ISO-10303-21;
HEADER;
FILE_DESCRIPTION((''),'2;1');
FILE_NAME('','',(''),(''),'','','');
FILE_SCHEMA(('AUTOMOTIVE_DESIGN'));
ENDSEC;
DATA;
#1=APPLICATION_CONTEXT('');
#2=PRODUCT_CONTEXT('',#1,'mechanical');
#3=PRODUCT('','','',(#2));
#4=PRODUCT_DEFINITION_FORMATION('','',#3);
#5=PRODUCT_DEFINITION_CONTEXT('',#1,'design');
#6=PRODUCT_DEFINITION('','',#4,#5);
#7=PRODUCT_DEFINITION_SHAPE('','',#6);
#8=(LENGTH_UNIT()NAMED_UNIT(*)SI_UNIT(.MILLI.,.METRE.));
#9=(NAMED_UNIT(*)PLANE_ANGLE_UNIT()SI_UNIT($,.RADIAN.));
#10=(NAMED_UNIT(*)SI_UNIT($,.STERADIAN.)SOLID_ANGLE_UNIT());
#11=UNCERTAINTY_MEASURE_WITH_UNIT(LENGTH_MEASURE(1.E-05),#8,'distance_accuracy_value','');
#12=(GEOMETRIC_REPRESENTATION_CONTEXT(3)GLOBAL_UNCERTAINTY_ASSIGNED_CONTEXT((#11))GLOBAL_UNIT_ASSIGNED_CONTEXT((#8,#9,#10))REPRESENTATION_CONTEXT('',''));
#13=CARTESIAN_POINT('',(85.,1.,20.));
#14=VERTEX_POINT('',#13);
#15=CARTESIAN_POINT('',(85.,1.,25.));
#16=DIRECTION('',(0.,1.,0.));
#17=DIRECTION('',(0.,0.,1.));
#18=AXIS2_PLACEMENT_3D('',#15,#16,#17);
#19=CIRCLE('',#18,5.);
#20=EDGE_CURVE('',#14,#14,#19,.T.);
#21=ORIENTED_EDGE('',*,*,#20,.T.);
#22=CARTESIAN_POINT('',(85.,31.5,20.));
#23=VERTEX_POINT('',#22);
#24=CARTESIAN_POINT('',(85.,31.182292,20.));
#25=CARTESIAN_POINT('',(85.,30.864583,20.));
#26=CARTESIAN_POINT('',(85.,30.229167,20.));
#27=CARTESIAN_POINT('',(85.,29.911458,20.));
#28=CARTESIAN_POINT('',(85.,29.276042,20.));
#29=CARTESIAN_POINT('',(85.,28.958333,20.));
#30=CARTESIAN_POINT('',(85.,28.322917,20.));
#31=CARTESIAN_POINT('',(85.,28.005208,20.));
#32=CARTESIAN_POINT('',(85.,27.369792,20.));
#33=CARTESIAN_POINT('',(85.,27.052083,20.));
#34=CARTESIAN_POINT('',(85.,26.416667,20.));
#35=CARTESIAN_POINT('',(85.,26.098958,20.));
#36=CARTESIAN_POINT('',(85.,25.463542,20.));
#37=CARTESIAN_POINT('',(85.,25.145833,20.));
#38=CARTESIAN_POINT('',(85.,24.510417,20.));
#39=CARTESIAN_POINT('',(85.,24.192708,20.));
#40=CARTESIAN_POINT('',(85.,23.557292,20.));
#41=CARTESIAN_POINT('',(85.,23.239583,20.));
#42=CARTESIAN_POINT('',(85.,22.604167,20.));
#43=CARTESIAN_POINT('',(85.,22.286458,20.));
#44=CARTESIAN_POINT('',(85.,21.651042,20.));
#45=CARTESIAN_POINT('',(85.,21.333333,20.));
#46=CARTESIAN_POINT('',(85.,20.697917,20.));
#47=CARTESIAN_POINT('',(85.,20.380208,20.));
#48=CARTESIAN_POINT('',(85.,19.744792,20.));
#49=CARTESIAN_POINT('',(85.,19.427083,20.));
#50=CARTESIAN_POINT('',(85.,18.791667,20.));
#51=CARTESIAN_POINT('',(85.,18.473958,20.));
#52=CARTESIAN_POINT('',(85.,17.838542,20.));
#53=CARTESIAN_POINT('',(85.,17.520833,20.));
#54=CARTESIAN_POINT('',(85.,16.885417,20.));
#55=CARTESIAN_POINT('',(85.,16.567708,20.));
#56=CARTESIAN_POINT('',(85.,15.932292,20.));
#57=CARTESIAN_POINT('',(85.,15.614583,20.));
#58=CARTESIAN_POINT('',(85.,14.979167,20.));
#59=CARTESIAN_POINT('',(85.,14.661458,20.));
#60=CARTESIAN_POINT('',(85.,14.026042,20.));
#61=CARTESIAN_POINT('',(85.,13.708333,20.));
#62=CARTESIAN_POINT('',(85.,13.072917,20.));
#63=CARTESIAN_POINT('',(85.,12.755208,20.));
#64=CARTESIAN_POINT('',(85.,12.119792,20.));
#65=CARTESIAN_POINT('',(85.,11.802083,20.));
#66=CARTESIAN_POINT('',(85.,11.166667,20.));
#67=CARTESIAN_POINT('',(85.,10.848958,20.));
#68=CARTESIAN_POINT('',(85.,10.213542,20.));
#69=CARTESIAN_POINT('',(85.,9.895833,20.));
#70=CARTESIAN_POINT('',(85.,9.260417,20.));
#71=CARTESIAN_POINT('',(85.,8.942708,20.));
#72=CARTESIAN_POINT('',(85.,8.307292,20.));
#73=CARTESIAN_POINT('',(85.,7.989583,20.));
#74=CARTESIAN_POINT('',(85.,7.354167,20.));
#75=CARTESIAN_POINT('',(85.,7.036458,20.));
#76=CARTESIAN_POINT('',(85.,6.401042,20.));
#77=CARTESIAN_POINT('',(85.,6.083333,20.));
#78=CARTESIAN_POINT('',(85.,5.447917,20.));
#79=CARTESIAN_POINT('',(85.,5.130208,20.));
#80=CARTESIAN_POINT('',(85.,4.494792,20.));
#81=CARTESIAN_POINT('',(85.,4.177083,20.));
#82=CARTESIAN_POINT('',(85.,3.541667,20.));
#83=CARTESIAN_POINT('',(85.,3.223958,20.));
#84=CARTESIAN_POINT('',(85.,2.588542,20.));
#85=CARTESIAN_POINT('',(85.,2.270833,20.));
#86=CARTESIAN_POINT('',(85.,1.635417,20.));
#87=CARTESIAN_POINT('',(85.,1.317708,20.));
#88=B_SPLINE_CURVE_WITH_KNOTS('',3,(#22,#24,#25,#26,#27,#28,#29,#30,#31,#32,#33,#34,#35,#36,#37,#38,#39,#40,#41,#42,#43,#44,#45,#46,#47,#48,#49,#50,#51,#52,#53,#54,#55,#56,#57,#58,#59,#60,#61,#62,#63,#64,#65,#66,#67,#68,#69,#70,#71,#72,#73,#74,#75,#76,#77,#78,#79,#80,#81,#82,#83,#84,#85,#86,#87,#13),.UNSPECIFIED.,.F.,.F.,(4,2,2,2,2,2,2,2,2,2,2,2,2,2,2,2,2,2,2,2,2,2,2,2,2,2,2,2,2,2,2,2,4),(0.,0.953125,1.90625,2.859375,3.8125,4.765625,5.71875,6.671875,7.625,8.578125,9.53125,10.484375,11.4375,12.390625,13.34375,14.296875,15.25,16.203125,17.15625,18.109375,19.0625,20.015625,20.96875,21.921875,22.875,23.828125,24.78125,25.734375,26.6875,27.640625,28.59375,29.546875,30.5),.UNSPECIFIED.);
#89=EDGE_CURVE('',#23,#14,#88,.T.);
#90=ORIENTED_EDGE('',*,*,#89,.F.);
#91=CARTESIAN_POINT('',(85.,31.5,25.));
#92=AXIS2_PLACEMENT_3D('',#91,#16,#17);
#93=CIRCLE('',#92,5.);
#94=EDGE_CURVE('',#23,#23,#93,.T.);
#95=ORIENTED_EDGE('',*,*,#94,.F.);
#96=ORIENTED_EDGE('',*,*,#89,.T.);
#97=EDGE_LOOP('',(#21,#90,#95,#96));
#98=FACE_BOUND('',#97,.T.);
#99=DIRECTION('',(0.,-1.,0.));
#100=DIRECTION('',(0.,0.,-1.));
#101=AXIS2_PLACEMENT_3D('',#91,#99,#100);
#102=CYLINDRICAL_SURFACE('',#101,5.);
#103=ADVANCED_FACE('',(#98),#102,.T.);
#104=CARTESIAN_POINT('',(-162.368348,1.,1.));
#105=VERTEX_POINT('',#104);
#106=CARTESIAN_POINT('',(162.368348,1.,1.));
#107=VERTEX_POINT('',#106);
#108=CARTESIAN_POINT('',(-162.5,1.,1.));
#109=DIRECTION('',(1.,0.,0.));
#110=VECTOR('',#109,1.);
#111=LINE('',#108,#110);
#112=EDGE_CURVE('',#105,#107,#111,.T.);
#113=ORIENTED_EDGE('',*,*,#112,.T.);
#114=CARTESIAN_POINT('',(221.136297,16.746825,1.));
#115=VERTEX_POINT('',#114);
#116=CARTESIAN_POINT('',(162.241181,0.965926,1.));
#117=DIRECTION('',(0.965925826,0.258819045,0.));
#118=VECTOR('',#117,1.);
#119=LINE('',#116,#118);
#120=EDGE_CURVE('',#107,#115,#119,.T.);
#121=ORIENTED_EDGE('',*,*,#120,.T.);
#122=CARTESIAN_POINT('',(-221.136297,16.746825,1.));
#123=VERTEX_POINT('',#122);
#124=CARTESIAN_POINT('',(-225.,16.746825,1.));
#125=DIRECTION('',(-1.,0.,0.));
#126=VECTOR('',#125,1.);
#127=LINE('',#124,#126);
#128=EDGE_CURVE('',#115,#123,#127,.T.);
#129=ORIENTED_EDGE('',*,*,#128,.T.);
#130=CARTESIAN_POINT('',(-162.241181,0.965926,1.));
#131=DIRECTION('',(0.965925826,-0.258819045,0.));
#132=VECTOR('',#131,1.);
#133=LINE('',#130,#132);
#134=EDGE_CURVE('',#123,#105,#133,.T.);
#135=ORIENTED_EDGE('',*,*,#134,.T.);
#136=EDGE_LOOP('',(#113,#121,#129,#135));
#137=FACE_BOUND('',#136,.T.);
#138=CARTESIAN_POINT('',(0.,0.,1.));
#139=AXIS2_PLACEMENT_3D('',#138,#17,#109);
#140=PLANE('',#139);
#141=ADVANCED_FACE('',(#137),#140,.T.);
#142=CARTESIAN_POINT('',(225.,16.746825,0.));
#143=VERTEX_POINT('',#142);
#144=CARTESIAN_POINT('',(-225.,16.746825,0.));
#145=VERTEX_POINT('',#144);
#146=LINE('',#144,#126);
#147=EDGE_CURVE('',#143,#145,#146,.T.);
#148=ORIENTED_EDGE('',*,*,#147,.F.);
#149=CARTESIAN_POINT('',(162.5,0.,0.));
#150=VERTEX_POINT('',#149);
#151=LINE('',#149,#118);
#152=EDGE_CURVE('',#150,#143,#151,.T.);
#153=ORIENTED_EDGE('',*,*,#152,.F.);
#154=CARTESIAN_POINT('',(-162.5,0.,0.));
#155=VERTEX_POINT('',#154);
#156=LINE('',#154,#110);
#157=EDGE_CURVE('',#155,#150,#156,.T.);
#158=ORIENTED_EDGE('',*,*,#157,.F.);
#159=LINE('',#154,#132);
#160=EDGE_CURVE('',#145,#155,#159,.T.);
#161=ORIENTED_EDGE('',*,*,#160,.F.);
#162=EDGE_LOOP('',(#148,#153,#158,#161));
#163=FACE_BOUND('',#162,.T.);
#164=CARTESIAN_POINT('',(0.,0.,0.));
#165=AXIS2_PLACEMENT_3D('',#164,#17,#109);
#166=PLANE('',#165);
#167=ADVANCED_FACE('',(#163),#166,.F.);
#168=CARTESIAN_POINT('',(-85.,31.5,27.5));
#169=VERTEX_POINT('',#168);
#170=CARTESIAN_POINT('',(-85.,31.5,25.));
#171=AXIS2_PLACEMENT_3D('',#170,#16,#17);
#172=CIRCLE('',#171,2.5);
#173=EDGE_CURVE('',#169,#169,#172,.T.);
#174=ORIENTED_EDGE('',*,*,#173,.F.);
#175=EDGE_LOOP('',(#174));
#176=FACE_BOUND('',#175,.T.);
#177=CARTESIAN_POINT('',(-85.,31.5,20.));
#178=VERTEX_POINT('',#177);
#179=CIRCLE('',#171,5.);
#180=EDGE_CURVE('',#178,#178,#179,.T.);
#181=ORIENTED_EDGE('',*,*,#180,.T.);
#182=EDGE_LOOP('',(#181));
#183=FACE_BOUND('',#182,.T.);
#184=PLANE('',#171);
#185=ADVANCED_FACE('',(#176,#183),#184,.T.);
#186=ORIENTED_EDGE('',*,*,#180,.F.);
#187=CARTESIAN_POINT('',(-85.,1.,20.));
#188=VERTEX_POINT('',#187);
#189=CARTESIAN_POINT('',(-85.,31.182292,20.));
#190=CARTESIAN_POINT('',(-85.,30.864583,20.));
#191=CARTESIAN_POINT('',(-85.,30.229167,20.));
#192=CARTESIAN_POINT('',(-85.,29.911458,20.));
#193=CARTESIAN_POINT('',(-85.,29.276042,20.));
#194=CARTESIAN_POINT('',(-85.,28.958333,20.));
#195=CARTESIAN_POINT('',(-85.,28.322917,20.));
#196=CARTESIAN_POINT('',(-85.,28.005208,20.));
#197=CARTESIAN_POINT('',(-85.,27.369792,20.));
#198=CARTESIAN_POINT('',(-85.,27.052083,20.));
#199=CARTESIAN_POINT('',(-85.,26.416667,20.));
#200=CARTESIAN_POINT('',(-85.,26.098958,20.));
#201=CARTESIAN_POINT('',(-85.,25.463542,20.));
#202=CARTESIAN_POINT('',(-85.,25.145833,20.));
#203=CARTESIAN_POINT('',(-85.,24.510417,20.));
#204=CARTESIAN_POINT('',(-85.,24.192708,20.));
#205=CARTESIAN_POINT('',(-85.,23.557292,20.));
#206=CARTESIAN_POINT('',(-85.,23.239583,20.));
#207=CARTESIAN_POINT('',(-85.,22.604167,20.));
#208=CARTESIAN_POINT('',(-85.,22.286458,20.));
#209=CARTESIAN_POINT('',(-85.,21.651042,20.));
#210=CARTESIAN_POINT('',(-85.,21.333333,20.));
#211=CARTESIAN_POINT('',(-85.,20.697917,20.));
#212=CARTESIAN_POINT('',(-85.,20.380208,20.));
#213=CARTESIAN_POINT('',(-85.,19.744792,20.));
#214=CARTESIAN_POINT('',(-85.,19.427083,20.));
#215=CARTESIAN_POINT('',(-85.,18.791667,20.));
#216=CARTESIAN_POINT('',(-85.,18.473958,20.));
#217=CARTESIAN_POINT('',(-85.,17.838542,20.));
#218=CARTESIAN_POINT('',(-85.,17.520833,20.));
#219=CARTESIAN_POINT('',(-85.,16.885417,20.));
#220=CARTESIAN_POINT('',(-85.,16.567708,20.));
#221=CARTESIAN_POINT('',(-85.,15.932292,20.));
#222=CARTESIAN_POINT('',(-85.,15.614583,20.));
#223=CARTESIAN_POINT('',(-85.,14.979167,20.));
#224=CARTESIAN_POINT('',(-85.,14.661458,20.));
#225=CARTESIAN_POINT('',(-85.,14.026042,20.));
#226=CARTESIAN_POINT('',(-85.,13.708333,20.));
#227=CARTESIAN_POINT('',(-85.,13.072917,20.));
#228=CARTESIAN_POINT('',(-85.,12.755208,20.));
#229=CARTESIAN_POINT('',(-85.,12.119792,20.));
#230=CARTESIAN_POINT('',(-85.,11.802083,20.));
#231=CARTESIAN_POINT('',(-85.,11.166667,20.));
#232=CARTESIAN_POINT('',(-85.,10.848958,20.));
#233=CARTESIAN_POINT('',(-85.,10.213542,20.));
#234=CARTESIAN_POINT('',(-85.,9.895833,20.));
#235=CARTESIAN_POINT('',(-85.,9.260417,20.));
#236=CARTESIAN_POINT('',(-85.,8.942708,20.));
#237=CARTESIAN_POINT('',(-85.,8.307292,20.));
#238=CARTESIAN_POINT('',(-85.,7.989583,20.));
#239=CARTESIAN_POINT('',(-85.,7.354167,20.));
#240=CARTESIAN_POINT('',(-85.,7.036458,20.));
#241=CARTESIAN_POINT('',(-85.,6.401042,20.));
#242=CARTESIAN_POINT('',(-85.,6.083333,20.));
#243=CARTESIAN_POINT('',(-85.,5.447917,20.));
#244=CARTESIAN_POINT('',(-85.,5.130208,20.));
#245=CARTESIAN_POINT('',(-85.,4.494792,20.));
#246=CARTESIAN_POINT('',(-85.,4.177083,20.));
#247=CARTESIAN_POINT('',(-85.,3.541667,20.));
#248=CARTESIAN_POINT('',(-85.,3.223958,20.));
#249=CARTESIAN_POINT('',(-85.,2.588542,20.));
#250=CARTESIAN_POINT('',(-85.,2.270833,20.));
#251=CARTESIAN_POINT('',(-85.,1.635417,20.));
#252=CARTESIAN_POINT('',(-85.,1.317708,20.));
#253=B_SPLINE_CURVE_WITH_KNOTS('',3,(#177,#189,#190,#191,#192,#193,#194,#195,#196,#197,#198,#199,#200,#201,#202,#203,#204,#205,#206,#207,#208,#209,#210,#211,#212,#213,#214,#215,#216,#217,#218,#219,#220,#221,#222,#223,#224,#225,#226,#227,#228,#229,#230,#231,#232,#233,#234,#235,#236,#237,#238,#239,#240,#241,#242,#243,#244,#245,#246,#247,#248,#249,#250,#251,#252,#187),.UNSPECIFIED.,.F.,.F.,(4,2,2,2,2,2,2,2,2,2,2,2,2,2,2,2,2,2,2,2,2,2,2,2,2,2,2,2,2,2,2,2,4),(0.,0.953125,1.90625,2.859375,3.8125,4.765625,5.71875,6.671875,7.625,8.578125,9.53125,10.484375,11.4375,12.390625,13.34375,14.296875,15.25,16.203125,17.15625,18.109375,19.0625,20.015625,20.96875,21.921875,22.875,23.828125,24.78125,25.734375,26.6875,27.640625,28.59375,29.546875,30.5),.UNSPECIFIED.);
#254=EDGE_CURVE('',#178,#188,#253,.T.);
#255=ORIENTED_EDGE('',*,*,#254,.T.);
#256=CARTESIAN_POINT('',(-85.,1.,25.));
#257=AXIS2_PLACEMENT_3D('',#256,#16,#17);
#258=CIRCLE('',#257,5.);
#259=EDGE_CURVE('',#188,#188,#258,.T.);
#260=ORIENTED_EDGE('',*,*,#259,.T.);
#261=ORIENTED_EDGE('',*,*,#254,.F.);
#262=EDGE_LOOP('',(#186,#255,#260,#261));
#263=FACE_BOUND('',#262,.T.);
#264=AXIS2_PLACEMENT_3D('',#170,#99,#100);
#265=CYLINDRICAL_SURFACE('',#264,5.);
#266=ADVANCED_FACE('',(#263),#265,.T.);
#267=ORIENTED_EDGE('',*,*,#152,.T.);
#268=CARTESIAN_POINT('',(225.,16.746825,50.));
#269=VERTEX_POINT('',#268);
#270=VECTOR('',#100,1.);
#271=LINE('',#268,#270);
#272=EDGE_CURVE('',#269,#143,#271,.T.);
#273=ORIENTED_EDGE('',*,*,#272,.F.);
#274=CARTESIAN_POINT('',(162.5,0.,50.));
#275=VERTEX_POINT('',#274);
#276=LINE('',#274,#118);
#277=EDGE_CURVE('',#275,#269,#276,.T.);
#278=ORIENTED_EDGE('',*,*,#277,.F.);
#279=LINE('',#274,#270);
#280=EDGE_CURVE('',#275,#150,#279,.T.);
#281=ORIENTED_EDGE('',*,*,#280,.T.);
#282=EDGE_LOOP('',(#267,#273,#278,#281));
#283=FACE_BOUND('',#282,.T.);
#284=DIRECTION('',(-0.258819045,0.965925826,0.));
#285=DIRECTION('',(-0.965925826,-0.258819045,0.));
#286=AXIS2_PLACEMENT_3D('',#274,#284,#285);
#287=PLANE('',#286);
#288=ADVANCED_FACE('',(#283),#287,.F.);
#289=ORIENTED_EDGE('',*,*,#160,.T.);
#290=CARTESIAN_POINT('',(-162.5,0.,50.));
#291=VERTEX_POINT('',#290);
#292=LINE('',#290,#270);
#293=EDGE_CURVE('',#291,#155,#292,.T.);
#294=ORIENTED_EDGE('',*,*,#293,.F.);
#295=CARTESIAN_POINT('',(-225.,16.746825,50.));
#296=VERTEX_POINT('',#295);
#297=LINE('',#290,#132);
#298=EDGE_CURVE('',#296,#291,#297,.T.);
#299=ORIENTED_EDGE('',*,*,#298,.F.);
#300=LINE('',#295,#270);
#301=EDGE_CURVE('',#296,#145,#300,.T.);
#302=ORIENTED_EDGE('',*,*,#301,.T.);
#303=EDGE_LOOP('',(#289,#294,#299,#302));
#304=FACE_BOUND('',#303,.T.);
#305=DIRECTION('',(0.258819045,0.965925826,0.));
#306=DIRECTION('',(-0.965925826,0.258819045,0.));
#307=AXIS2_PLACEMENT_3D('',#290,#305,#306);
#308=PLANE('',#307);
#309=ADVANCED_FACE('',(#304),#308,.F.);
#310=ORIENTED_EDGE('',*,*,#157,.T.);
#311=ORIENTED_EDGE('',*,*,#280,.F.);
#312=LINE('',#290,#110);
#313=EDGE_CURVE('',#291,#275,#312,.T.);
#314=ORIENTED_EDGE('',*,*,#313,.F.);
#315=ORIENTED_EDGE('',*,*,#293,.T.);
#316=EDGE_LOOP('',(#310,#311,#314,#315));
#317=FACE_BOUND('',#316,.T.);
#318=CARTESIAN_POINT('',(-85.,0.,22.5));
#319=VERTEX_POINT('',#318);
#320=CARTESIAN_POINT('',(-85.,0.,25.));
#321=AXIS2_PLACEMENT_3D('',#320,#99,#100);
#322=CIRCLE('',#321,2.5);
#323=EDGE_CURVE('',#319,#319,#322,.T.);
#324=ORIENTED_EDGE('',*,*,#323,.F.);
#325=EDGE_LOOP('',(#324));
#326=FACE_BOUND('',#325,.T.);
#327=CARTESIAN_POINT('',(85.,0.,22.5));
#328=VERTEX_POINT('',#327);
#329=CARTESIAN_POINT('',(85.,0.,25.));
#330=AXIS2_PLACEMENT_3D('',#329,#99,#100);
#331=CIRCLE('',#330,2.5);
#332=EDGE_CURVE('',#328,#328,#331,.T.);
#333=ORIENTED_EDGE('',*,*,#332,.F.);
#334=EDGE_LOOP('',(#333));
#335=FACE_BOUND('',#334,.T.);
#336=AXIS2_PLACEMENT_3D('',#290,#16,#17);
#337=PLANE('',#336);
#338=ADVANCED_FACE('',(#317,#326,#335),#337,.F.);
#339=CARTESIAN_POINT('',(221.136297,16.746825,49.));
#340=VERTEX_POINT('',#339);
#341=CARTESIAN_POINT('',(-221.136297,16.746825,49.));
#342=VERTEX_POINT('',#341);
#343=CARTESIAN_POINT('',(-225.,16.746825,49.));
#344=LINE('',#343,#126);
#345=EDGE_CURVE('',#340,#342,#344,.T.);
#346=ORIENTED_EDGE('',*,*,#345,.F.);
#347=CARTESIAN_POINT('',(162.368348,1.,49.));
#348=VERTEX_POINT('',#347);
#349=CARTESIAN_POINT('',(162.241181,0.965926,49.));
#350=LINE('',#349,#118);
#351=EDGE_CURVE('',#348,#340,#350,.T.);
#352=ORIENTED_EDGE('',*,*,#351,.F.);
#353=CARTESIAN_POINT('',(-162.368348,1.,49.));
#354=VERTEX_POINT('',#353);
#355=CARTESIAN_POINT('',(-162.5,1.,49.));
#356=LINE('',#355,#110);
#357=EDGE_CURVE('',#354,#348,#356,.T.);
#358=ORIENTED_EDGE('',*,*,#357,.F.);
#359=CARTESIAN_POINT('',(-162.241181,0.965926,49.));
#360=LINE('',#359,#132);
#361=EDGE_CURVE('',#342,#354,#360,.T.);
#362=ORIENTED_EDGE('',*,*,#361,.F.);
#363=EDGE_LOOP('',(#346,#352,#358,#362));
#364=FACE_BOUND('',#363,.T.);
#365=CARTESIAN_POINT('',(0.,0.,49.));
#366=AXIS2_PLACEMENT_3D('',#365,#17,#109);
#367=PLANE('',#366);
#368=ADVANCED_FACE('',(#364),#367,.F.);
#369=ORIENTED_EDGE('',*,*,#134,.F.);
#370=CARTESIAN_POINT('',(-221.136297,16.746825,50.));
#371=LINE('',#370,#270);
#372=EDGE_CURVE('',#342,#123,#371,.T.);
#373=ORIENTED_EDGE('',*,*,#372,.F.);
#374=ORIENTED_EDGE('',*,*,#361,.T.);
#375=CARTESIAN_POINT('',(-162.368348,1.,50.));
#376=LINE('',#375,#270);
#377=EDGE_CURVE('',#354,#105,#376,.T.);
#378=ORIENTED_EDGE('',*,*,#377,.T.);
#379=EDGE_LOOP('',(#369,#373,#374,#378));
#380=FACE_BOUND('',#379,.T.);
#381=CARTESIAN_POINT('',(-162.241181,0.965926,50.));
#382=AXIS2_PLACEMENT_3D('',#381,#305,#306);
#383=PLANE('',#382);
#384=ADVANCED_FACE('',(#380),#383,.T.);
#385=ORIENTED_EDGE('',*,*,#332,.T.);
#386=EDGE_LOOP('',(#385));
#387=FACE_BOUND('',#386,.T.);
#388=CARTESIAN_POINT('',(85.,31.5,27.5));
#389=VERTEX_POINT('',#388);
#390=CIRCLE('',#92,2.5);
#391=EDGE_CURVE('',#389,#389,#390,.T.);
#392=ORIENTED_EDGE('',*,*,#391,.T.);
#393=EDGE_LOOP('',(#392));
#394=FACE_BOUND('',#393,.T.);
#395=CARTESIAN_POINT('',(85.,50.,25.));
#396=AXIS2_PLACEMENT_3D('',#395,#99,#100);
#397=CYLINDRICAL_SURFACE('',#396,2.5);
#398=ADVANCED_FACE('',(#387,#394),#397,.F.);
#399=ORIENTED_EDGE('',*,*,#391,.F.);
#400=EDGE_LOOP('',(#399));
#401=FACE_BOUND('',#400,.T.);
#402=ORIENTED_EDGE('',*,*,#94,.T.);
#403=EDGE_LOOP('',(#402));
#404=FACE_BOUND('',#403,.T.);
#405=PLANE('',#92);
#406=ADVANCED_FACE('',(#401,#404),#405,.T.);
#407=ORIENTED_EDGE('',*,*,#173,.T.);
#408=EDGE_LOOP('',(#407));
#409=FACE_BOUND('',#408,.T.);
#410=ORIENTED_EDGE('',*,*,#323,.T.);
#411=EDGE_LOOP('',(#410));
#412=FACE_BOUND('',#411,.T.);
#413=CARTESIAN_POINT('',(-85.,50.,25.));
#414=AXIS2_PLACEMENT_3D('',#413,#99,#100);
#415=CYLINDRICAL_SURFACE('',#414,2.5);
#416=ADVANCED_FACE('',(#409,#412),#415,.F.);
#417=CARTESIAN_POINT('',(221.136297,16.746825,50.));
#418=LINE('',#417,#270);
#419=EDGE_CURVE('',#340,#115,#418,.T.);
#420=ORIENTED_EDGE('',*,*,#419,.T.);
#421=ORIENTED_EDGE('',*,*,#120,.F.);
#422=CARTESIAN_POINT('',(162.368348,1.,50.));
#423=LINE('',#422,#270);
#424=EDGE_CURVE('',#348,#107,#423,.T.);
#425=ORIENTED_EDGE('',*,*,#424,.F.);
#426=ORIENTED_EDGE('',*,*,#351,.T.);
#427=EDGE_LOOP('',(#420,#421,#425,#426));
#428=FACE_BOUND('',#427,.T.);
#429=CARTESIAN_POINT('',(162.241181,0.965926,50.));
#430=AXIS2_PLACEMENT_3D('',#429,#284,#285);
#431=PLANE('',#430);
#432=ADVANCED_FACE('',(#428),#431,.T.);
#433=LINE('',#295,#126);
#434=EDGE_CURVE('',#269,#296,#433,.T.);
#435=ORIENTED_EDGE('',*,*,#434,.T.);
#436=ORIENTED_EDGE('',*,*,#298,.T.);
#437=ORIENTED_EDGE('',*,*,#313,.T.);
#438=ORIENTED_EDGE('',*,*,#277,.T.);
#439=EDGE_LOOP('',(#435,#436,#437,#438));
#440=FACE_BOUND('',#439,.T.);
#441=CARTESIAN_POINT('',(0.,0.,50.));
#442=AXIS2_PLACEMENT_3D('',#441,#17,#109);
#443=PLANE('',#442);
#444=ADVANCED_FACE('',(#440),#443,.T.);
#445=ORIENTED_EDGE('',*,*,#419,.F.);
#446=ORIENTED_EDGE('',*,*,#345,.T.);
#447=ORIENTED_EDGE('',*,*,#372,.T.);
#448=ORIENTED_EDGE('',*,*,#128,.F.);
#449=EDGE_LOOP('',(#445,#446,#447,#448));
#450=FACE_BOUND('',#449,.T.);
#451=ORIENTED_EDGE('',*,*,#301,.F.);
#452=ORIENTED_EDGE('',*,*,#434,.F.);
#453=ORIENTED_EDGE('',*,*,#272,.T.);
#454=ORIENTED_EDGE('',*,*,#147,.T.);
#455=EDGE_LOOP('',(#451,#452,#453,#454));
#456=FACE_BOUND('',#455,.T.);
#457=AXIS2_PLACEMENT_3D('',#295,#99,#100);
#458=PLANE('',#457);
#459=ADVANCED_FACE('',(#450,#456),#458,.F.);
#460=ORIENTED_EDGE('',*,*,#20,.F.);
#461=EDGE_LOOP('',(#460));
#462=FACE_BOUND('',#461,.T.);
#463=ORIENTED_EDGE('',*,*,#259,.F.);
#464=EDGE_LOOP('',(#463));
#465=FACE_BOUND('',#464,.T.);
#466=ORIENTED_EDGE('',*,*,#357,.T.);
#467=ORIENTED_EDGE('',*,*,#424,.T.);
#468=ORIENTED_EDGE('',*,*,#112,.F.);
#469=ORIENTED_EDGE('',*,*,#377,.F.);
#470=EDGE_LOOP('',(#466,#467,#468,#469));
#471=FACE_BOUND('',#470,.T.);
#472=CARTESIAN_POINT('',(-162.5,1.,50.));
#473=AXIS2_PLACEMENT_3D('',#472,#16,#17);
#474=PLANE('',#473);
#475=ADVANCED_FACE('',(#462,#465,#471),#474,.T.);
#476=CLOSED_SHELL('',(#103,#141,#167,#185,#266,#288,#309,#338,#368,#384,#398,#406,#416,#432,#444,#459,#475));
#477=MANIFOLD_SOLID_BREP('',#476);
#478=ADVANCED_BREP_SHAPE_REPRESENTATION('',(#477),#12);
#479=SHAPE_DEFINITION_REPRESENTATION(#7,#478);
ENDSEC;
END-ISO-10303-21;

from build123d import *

# Parameters (mm, degrees)
BOSS_EXTRUDE1_DEPTH = 50
SHELL1_T            = -1
SKETCH2_R           = 2.5
CUT_EXTRUDE1_DEPTH  = 50
SKETCH3_R           = 5
SKETCH3_R_2         = 2.5
BOSS_EXTRUDE2_DEPTH = 30.5


with BuildPart() as part:
    # Sketch1 → Boss-Extrude1 (new body)
    with BuildSketch(Plane.XY):
        Polygon((-162.5, 0), (162.5, 0), (225, 16.746824527), (-225, 16.746824527), align=None)
    extrude(amount=BOSS_EXTRUDE1_DEPTH)

    # Shell1
    shell1_openings = [part.faces().sort_by_distance(p)[0] for p in [
        (0, 16.746824527, 25),
    ]]
    offset(amount=SHELL1_T, openings=shell1_openings, kind=Kind.INTERSECTION)

    # Sketch2 → Cut-Extrude1 (cut)
    with BuildSketch(Plane.XZ):
        with Locations(Location((-85, 25, 0), (0, 0, 270))):
            Circle(SKETCH2_R)
        with Locations(Location((85, 25, 0), (0, 0, 270))):
            Circle(SKETCH2_R)
    extrude(amount=-CUT_EXTRUDE1_DEPTH, mode=Mode.SUBTRACT)

    # Sketch3 → Boss-Extrude2 (add)
    # profile 1 of 2: a face of its own
    with BuildSketch(Plane(origin=(0, 1, 0), x_dir=(1, 0, 0), z_dir=(0, 1, 0))):
        with Locations(Location((-85, -25, 0), (0, 0, 90))):
            Circle(SKETCH3_R)
        with Locations(Location((-85, -25, 0), (0, 0, 90))):
            Circle(SKETCH3_R_2, mode=Mode.SUBTRACT)
    # profile 2 of 2: a face of its own
    with BuildSketch(Plane(origin=(0, 1, 0), x_dir=(1, 0, 0), z_dir=(0, 1, 0))):
        with Locations(Location((85, -25, 0), (0, 0, 90))):
            Circle(SKETCH3_R)
        with Locations(Location((85, -25, 0), (0, 0, 90))):
            Circle(SKETCH3_R_2, mode=Mode.SUBTRACT)
    extrude(amount=BOSS_EXTRUDE2_DEPTH)


solid = part.part
